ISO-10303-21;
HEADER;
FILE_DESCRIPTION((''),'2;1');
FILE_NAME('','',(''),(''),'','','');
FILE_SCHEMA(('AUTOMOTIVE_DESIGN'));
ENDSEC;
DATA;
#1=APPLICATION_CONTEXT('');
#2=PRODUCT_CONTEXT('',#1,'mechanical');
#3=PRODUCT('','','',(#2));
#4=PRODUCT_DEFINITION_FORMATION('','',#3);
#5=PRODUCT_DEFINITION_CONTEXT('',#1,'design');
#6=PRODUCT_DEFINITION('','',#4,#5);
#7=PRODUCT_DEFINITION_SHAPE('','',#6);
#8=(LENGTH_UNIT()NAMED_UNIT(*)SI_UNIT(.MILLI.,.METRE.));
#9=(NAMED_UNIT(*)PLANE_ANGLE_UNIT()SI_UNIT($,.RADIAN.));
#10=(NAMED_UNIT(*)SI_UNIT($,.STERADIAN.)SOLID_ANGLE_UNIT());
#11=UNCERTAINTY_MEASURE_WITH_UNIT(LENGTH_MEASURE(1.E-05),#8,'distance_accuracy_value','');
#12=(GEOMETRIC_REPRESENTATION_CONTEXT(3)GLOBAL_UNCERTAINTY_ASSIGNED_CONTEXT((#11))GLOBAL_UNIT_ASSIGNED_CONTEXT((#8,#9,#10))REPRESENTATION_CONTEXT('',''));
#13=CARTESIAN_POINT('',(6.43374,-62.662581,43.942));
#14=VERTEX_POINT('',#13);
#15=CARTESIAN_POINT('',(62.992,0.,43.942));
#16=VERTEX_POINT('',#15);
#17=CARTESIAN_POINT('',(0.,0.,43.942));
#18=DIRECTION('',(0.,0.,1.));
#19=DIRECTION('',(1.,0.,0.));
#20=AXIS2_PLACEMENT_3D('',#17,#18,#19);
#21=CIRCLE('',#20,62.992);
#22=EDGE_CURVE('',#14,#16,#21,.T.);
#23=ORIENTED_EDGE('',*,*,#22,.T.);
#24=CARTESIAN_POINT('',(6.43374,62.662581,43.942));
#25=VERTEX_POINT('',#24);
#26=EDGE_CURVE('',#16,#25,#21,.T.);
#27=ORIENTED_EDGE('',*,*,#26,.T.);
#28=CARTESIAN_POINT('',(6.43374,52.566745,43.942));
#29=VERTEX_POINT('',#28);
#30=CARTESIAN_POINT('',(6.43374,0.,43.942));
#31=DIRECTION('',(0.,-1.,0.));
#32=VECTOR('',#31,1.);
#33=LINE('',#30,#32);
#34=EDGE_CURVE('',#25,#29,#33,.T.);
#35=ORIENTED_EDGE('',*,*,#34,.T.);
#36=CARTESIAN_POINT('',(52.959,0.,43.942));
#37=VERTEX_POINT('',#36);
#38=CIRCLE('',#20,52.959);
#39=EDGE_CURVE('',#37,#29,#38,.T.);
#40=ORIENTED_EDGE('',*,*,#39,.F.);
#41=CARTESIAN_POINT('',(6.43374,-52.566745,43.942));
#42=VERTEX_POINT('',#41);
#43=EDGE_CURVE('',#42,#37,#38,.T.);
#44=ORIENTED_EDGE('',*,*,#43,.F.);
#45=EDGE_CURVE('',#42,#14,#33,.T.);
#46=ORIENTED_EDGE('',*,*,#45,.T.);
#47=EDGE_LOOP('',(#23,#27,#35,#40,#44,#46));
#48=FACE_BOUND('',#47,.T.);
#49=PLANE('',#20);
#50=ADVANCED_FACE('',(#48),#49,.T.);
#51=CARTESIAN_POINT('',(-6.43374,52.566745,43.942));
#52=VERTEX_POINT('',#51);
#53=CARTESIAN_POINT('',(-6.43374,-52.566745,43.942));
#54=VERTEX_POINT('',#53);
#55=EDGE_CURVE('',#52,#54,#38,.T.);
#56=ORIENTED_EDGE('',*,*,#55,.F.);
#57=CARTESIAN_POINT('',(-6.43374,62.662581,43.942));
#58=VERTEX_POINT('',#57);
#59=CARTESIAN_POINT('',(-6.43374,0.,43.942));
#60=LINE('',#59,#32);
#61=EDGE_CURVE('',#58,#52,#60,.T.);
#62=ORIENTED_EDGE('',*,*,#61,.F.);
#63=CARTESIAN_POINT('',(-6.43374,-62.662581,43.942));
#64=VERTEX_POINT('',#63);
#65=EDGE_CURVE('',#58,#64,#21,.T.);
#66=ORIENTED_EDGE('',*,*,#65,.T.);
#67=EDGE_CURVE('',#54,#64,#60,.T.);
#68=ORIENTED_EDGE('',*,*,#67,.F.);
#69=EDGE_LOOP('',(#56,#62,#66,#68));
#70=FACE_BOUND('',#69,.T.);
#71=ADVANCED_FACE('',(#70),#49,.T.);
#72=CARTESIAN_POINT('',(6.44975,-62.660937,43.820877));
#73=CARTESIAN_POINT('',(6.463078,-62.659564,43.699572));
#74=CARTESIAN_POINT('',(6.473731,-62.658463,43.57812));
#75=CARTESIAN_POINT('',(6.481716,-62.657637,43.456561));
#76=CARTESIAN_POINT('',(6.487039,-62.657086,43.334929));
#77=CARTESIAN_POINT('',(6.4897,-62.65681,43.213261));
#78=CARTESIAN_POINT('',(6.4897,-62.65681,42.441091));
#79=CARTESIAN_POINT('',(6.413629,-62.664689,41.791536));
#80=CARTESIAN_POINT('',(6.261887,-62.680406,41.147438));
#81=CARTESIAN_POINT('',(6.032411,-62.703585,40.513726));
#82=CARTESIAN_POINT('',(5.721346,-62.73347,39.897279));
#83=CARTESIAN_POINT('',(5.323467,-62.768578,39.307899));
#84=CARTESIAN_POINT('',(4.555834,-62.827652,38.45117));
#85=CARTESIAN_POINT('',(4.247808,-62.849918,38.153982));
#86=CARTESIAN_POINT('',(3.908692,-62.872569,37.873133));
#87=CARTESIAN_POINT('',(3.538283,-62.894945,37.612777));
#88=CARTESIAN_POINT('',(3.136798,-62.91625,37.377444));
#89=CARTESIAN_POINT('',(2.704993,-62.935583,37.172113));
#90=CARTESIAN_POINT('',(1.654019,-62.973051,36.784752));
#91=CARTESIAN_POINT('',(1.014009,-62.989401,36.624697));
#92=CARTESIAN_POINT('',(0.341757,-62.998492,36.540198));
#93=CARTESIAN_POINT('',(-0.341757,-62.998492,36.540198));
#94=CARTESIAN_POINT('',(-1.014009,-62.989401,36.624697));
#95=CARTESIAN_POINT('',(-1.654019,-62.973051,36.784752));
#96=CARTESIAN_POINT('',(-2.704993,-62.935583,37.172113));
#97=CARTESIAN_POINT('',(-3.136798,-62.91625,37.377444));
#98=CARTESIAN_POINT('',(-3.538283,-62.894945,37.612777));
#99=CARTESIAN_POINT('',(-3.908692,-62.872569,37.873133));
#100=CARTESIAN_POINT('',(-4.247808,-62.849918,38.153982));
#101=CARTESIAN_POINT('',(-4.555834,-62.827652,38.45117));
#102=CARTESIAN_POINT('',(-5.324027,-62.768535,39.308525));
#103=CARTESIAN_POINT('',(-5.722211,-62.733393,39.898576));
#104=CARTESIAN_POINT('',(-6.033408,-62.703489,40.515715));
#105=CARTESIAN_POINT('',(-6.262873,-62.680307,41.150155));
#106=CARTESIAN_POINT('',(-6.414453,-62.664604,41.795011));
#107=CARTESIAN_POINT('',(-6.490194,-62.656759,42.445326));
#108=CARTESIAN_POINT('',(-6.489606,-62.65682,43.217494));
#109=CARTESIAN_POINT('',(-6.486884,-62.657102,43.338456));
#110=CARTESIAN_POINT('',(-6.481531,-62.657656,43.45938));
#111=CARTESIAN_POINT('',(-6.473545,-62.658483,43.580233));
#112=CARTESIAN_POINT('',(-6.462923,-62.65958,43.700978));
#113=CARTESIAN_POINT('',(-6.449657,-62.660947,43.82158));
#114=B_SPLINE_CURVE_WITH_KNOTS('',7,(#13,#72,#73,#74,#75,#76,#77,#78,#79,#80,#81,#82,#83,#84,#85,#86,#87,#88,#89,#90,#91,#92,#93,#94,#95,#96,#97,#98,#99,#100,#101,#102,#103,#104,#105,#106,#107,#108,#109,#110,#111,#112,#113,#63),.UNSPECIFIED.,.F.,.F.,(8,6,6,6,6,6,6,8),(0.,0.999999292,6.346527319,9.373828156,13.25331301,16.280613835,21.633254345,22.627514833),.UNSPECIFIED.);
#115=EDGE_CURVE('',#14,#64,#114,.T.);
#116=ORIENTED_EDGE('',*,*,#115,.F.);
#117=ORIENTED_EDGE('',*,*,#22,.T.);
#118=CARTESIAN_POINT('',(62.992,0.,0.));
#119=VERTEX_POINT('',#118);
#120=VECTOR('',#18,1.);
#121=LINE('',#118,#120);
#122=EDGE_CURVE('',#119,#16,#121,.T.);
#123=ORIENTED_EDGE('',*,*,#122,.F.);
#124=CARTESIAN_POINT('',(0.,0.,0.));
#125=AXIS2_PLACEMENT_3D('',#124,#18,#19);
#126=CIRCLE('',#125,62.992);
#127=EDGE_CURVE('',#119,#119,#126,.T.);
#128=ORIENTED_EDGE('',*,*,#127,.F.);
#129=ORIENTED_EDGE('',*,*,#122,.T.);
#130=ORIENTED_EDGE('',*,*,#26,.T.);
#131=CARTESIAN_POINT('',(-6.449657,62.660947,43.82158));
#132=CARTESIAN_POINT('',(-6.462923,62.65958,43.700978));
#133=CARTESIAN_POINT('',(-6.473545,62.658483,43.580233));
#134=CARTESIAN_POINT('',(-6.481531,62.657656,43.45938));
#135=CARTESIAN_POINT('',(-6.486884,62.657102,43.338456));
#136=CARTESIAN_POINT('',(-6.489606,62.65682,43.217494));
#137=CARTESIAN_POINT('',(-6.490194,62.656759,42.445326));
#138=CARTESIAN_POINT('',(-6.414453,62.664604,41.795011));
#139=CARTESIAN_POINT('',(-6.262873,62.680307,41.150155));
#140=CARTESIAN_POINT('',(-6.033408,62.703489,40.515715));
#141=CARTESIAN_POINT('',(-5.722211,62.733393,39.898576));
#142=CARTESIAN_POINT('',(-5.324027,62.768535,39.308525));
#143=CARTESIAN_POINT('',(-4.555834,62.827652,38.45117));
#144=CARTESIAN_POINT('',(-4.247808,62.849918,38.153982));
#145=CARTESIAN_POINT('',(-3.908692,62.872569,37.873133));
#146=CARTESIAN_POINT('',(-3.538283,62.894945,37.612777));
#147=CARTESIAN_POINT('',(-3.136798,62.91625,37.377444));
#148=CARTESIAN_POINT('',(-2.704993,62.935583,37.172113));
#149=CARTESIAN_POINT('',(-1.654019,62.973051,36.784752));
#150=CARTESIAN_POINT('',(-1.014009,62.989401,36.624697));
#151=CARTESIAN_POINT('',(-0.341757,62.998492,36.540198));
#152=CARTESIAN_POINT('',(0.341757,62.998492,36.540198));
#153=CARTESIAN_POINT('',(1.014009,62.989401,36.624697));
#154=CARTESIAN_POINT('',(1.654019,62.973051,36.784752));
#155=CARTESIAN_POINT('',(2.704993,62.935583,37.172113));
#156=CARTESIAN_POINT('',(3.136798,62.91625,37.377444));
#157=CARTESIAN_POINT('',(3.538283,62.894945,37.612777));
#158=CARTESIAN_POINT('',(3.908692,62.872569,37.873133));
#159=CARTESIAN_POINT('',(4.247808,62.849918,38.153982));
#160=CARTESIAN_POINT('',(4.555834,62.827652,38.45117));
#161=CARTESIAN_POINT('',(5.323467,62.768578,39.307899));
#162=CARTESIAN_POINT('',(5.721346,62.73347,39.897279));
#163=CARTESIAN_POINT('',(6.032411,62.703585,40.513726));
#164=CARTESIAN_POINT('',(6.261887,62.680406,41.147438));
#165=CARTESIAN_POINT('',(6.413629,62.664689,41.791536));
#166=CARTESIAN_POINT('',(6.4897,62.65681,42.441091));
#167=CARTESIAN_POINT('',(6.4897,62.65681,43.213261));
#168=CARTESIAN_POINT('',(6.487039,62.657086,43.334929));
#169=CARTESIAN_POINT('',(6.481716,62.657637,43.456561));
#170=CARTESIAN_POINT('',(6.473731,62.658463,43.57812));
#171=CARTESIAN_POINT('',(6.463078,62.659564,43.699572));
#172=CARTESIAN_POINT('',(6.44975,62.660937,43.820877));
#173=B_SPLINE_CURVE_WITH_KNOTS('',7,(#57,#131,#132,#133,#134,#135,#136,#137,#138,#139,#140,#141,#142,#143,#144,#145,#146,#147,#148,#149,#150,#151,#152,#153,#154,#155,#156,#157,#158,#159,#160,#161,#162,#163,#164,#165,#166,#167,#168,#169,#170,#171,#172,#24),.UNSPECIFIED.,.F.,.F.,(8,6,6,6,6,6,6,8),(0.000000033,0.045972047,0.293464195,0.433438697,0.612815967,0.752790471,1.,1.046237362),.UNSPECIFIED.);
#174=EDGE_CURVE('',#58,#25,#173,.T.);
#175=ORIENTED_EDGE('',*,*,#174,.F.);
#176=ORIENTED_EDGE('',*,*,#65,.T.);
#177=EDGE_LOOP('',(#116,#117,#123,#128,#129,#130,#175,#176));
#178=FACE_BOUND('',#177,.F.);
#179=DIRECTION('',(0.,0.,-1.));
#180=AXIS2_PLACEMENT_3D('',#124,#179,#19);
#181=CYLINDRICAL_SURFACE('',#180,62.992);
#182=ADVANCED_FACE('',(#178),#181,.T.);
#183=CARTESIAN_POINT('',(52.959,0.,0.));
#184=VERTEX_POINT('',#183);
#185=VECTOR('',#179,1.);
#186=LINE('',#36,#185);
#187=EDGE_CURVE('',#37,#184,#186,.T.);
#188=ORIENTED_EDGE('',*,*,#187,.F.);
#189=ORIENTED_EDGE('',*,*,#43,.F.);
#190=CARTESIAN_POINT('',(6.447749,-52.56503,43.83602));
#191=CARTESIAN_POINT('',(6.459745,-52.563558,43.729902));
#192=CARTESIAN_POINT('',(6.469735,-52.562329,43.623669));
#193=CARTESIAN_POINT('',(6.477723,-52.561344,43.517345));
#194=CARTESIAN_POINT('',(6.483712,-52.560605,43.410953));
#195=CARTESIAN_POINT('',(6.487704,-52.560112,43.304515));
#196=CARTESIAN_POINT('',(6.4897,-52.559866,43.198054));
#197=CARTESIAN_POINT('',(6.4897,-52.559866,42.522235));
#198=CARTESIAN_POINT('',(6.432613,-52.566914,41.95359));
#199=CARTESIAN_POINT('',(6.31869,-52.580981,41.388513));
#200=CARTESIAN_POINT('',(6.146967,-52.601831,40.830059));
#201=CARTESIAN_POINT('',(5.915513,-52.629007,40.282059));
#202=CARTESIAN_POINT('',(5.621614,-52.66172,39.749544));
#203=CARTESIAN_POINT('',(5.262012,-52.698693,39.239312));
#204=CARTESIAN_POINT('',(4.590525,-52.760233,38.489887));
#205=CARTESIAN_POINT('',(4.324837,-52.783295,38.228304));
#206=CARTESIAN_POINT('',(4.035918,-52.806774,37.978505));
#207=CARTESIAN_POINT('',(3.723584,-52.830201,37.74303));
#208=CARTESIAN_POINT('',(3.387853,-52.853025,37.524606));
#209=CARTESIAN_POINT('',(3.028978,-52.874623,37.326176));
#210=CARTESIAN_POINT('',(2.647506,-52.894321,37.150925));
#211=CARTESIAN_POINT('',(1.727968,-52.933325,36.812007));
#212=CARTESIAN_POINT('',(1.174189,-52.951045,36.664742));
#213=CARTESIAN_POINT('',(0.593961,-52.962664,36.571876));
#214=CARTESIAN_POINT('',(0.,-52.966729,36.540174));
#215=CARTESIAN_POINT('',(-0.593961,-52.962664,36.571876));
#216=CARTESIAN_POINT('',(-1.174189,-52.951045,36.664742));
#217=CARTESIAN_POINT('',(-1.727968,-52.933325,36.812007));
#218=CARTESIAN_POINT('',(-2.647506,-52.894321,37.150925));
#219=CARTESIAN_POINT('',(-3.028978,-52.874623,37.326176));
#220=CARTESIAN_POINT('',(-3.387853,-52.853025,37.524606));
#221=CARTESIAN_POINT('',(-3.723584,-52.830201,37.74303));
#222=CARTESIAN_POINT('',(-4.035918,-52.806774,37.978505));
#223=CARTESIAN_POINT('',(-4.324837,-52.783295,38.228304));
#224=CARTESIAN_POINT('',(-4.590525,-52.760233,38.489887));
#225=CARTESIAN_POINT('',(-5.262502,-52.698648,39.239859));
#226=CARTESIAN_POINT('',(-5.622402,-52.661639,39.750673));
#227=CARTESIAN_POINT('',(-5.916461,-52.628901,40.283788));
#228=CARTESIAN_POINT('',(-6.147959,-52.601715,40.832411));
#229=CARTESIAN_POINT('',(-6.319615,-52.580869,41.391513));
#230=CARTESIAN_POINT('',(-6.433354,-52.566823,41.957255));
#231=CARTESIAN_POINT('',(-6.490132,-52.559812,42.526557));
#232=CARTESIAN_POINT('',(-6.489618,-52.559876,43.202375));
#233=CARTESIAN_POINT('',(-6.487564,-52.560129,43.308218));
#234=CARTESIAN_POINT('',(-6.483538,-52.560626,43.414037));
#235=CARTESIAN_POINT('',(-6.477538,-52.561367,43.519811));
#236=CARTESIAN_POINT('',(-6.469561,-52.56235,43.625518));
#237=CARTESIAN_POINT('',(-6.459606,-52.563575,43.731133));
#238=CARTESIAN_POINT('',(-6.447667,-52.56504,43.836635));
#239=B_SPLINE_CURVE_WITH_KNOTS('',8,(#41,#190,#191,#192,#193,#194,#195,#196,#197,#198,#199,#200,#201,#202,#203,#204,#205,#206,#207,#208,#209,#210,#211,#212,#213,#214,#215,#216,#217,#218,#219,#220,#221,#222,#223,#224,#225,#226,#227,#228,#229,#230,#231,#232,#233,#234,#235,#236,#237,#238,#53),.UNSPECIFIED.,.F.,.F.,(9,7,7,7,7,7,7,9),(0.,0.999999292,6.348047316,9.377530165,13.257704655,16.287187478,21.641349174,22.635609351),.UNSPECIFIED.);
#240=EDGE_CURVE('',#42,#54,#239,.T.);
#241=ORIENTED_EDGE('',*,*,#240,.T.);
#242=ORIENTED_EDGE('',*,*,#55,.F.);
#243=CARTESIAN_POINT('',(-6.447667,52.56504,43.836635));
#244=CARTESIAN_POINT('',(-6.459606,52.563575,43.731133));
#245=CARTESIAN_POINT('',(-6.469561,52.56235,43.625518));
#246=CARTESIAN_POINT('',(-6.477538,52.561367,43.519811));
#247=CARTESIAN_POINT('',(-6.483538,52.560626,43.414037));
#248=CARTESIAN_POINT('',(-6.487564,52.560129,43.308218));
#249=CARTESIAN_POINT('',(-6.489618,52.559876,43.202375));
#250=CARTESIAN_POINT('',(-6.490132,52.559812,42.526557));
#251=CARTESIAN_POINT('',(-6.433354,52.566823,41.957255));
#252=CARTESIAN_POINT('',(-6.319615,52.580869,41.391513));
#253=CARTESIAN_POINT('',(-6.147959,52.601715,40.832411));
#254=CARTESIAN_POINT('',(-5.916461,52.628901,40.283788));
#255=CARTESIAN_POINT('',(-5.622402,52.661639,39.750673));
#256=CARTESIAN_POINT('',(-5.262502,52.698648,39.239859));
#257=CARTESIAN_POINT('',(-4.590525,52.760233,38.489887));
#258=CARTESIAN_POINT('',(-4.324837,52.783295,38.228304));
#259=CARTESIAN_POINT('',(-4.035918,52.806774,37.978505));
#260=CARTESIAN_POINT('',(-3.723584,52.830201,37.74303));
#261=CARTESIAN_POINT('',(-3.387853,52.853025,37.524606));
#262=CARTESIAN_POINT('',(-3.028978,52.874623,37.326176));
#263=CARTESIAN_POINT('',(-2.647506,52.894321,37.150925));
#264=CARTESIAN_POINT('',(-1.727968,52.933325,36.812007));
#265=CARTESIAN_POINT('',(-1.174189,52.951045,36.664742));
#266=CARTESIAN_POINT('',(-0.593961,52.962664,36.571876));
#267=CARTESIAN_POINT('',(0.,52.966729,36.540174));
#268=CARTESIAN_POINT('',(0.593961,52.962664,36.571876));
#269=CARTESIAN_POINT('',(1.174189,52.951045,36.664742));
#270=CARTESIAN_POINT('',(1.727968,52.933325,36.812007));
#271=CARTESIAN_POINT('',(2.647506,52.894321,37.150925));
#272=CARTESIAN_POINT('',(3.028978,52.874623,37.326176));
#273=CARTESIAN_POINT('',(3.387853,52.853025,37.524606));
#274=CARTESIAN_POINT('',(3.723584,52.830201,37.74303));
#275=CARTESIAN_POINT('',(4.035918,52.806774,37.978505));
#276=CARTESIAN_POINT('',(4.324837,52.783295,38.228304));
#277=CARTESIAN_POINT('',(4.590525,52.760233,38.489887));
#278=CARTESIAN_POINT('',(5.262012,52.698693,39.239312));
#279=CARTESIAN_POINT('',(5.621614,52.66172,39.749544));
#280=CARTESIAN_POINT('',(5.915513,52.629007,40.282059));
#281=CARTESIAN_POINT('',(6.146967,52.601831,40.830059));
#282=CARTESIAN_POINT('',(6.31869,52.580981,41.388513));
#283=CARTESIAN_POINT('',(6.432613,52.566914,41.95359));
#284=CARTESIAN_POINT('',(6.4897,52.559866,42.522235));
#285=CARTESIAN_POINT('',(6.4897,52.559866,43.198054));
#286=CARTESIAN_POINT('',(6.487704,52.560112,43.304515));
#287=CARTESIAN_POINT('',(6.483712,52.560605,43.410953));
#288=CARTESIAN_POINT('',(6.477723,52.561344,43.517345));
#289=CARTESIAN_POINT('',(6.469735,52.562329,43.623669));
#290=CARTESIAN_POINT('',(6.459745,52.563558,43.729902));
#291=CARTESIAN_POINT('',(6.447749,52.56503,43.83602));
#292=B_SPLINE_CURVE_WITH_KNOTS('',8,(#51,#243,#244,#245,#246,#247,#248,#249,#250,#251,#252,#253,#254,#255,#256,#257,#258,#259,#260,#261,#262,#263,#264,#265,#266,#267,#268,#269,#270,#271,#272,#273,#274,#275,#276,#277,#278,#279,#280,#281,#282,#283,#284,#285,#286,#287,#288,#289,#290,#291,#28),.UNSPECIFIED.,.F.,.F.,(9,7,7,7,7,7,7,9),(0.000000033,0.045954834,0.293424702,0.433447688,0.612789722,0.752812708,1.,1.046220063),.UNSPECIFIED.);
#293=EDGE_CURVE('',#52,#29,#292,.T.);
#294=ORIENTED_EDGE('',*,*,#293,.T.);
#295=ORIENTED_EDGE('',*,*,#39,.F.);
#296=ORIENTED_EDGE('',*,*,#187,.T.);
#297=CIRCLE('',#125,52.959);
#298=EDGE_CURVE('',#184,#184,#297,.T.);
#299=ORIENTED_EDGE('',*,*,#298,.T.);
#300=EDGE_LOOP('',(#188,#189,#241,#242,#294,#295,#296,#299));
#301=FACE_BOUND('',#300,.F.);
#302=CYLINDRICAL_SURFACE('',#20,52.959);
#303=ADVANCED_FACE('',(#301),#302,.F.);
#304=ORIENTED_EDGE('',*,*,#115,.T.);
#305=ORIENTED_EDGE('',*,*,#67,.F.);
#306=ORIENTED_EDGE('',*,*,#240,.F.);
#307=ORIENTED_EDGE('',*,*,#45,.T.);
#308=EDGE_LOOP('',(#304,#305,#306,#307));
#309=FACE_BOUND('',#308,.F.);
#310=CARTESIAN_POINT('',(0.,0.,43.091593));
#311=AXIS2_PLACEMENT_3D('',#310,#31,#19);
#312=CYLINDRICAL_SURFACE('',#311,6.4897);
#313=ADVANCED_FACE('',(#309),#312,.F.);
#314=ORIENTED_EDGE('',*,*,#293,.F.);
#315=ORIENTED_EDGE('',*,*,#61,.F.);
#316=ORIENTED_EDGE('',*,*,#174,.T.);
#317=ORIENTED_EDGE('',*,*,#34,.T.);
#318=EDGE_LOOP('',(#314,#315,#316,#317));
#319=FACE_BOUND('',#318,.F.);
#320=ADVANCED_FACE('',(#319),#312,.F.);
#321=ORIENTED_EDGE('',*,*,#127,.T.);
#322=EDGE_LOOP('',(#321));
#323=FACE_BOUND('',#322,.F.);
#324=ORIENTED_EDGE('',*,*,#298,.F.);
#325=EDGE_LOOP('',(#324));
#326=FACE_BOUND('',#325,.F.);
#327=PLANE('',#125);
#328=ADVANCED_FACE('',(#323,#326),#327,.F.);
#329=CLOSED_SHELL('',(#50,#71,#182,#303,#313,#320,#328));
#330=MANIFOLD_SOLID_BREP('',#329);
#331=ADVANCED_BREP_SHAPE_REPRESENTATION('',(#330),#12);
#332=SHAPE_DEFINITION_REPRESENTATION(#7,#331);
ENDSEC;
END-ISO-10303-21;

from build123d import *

# Parameters (mm, degrees)
F0_R     = 62.992
F1_DEPTH = 43.942
F2_R     = 52.959
F3_DEPTH = 43.942
F4_R     = 6.4897
F5_DEPTH = 63.5


with BuildPart() as f1:
    # F0 (on Top) → F1 (new body)
    with BuildSketch(Plane.XY):
        Circle(F0_R)
    extrude(amount=F1_DEPTH)

    # F2 (on face) → F3 (cut)
    with BuildSketch(Plane.XY.offset(43.942)):
        Circle(F2_R)
    extrude(amount=-F3_DEPTH, mode=Mode.SUBTRACT)

    # F4 (on Front) → F5 (cut, symmetric)
    with BuildSketch(Plane.XZ):
        with Locations((0, 43.091593)):
            Circle(F4_R)
    extrude(amount=F5_DEPTH, both=True, mode=Mode.SUBTRACT)


solid = f1.part
